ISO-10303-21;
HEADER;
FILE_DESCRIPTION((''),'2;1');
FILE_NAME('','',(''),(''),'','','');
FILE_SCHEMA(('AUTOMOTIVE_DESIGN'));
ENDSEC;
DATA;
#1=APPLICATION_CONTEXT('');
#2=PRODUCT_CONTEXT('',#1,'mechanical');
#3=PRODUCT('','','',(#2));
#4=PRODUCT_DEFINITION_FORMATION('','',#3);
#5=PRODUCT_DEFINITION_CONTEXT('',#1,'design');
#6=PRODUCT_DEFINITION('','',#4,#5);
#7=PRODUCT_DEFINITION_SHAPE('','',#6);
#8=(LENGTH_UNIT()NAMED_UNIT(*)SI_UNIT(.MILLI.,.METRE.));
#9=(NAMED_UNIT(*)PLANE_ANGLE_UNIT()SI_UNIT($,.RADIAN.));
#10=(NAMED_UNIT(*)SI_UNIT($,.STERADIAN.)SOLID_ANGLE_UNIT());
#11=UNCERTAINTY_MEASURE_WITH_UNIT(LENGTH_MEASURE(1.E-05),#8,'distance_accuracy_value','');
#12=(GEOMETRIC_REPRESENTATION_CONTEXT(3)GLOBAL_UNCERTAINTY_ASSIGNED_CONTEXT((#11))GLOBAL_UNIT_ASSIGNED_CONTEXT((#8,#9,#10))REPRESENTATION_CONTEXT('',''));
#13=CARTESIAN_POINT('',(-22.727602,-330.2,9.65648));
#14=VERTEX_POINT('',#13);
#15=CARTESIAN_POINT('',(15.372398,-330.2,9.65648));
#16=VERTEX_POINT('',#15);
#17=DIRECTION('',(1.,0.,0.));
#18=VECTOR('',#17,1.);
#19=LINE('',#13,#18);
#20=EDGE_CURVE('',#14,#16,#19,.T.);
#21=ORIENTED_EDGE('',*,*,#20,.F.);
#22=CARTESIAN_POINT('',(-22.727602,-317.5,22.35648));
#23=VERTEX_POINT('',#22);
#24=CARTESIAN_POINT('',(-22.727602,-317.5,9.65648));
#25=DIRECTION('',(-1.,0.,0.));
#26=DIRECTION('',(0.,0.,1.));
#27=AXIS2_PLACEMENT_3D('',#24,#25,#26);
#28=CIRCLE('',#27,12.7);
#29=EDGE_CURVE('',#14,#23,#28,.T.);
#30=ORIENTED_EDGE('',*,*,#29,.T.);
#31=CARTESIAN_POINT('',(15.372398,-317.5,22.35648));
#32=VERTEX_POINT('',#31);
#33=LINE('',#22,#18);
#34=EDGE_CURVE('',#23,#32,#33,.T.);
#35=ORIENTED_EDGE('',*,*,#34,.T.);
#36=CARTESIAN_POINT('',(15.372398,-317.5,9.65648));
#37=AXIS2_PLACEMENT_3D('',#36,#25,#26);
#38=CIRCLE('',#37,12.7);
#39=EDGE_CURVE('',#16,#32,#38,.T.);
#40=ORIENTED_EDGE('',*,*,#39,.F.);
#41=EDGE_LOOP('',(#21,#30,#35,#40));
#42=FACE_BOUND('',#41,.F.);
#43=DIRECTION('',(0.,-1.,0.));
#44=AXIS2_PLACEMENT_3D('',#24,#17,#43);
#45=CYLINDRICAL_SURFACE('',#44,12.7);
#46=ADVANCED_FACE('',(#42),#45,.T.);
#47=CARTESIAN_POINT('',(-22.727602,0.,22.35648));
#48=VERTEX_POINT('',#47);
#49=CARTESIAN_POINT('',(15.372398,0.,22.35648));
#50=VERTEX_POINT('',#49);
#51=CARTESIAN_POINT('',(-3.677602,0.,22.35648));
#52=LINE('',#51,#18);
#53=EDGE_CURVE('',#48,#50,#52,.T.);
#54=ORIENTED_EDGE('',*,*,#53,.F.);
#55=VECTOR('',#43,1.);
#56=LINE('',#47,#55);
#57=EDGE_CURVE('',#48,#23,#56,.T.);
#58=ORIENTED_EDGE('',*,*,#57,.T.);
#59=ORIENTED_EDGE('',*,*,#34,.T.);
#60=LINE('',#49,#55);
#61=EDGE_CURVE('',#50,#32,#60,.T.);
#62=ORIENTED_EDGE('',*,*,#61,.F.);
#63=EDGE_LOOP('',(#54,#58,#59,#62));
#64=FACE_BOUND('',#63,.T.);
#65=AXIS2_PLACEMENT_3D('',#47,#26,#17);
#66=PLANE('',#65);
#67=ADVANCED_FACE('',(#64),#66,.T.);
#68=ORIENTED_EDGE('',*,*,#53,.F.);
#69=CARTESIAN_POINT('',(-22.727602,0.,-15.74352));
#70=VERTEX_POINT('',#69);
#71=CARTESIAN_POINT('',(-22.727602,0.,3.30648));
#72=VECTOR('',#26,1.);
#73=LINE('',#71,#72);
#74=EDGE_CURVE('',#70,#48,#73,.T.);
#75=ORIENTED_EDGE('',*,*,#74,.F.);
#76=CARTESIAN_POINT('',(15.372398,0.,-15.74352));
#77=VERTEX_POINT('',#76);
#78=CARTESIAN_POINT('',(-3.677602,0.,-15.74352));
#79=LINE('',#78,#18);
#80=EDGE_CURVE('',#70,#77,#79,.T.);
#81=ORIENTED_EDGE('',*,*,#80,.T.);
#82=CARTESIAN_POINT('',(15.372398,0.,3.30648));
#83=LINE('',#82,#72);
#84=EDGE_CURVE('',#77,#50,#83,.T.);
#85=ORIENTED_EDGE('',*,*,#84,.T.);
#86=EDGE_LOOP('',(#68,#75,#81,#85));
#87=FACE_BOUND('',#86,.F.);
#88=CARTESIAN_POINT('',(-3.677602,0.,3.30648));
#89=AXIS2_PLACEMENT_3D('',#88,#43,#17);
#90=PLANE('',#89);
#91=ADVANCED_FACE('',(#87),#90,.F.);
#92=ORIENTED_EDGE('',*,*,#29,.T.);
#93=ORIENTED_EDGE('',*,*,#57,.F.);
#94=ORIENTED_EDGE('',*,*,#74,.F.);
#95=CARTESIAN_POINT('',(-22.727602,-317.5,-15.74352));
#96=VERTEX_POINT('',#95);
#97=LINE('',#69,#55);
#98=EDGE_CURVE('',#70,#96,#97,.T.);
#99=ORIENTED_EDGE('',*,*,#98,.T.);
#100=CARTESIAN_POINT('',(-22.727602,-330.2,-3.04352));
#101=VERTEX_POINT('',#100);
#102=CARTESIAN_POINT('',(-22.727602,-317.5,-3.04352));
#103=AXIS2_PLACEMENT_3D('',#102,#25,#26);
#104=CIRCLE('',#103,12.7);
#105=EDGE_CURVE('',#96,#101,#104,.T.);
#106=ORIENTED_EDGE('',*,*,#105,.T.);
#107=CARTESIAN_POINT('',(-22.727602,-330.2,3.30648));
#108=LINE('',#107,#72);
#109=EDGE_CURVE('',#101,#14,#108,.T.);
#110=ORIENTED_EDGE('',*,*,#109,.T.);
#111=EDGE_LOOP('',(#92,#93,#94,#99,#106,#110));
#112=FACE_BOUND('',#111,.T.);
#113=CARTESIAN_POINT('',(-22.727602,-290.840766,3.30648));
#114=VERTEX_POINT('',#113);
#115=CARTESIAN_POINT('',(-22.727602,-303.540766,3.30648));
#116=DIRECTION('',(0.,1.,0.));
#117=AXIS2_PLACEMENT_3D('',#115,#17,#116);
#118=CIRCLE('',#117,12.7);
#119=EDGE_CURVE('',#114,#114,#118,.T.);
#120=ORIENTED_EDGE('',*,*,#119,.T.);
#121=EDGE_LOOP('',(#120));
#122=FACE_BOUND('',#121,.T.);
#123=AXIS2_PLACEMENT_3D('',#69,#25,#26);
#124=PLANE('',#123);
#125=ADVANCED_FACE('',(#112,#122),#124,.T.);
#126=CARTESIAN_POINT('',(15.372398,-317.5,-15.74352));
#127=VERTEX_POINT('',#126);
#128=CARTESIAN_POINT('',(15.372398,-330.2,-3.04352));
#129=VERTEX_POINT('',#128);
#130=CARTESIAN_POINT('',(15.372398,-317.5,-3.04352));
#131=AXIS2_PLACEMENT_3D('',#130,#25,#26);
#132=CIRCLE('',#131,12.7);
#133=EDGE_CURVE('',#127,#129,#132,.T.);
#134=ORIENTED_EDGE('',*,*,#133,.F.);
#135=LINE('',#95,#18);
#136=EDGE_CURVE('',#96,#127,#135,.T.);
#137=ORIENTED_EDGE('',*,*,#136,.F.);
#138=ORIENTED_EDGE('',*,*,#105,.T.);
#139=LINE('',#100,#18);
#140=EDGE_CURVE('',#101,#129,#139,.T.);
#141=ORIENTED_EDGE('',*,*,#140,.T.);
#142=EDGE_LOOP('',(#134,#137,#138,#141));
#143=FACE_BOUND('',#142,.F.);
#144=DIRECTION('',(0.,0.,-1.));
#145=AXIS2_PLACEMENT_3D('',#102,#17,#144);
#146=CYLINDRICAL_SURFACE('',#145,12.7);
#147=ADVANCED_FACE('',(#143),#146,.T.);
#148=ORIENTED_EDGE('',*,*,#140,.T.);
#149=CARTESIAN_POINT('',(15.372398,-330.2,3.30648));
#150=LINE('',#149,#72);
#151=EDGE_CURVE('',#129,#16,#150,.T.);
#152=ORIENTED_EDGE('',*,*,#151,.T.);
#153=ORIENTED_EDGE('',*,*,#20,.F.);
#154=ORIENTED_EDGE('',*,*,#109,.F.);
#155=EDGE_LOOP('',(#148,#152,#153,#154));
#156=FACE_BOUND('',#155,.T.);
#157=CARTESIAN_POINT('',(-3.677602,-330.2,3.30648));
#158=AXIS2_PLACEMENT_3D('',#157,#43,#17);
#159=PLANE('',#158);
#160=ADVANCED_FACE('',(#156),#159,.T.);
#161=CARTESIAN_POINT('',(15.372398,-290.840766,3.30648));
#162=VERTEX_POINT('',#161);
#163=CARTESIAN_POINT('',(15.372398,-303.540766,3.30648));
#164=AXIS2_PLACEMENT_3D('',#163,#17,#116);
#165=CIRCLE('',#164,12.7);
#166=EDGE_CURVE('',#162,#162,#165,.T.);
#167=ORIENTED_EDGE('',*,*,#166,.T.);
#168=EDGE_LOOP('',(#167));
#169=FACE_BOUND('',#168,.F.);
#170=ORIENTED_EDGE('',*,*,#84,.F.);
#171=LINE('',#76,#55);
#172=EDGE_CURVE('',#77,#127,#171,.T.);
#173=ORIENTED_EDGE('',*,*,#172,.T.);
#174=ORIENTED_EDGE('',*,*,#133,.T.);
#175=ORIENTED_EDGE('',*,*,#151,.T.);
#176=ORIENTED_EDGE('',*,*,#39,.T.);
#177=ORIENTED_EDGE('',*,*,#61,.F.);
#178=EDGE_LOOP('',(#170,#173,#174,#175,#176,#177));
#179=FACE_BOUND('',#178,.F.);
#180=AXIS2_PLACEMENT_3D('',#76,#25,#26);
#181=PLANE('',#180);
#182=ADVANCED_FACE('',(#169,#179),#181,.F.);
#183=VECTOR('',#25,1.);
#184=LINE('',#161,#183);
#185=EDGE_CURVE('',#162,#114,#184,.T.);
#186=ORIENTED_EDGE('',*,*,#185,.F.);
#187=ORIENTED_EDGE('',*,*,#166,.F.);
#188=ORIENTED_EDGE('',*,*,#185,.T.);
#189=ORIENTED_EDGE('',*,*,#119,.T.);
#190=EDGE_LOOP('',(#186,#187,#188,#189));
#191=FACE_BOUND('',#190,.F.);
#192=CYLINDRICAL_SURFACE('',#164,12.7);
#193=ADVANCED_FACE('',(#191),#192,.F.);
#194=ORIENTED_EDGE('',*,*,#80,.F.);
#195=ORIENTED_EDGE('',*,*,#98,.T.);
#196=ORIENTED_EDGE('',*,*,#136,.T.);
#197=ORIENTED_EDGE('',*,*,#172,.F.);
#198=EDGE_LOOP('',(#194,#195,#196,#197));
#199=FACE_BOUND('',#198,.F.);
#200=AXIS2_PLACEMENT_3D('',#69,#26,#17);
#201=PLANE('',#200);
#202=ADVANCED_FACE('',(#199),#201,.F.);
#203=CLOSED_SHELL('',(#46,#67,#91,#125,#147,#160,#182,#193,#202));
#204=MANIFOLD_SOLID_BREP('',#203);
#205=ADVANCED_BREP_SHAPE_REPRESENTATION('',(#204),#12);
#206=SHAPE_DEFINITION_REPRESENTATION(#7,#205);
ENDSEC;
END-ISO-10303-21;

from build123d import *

# Parameters (mm, degrees)
F0_W     = 38.1
F0_H     = 38.1
F1_DEPTH = 330.2
F2_R     = 12.7
F3_DEPTH = 38.101
F4_R     = 12.7


with BuildPart() as f1:
    # F0 (on Front) → F1 (new body)
    with BuildSketch(Plane.XZ):
        with Locations((-3.677602, 3.30648)):
            Rectangle(F0_W, F0_H)
    extrude(amount=F1_DEPTH)

    # F2 (on face) → F3 (cut, through all)
    with BuildSketch(Plane.YZ.offset(15.372398)):
        with Locations((-303.540766, 3.30648)):
            Circle(F2_R)
    extrude(amount=-F3_DEPTH, mode=Mode.SUBTRACT)

    # F4
    f4_edges = [f1.edges().sort_by_distance(p)[0] for p in [
        (-3.677602, -330.2, 22.35648),
        (-3.677602, -330.2, -15.74352),
    ]]
    fillet(f4_edges, radius=F4_R)


solid = f1.part
